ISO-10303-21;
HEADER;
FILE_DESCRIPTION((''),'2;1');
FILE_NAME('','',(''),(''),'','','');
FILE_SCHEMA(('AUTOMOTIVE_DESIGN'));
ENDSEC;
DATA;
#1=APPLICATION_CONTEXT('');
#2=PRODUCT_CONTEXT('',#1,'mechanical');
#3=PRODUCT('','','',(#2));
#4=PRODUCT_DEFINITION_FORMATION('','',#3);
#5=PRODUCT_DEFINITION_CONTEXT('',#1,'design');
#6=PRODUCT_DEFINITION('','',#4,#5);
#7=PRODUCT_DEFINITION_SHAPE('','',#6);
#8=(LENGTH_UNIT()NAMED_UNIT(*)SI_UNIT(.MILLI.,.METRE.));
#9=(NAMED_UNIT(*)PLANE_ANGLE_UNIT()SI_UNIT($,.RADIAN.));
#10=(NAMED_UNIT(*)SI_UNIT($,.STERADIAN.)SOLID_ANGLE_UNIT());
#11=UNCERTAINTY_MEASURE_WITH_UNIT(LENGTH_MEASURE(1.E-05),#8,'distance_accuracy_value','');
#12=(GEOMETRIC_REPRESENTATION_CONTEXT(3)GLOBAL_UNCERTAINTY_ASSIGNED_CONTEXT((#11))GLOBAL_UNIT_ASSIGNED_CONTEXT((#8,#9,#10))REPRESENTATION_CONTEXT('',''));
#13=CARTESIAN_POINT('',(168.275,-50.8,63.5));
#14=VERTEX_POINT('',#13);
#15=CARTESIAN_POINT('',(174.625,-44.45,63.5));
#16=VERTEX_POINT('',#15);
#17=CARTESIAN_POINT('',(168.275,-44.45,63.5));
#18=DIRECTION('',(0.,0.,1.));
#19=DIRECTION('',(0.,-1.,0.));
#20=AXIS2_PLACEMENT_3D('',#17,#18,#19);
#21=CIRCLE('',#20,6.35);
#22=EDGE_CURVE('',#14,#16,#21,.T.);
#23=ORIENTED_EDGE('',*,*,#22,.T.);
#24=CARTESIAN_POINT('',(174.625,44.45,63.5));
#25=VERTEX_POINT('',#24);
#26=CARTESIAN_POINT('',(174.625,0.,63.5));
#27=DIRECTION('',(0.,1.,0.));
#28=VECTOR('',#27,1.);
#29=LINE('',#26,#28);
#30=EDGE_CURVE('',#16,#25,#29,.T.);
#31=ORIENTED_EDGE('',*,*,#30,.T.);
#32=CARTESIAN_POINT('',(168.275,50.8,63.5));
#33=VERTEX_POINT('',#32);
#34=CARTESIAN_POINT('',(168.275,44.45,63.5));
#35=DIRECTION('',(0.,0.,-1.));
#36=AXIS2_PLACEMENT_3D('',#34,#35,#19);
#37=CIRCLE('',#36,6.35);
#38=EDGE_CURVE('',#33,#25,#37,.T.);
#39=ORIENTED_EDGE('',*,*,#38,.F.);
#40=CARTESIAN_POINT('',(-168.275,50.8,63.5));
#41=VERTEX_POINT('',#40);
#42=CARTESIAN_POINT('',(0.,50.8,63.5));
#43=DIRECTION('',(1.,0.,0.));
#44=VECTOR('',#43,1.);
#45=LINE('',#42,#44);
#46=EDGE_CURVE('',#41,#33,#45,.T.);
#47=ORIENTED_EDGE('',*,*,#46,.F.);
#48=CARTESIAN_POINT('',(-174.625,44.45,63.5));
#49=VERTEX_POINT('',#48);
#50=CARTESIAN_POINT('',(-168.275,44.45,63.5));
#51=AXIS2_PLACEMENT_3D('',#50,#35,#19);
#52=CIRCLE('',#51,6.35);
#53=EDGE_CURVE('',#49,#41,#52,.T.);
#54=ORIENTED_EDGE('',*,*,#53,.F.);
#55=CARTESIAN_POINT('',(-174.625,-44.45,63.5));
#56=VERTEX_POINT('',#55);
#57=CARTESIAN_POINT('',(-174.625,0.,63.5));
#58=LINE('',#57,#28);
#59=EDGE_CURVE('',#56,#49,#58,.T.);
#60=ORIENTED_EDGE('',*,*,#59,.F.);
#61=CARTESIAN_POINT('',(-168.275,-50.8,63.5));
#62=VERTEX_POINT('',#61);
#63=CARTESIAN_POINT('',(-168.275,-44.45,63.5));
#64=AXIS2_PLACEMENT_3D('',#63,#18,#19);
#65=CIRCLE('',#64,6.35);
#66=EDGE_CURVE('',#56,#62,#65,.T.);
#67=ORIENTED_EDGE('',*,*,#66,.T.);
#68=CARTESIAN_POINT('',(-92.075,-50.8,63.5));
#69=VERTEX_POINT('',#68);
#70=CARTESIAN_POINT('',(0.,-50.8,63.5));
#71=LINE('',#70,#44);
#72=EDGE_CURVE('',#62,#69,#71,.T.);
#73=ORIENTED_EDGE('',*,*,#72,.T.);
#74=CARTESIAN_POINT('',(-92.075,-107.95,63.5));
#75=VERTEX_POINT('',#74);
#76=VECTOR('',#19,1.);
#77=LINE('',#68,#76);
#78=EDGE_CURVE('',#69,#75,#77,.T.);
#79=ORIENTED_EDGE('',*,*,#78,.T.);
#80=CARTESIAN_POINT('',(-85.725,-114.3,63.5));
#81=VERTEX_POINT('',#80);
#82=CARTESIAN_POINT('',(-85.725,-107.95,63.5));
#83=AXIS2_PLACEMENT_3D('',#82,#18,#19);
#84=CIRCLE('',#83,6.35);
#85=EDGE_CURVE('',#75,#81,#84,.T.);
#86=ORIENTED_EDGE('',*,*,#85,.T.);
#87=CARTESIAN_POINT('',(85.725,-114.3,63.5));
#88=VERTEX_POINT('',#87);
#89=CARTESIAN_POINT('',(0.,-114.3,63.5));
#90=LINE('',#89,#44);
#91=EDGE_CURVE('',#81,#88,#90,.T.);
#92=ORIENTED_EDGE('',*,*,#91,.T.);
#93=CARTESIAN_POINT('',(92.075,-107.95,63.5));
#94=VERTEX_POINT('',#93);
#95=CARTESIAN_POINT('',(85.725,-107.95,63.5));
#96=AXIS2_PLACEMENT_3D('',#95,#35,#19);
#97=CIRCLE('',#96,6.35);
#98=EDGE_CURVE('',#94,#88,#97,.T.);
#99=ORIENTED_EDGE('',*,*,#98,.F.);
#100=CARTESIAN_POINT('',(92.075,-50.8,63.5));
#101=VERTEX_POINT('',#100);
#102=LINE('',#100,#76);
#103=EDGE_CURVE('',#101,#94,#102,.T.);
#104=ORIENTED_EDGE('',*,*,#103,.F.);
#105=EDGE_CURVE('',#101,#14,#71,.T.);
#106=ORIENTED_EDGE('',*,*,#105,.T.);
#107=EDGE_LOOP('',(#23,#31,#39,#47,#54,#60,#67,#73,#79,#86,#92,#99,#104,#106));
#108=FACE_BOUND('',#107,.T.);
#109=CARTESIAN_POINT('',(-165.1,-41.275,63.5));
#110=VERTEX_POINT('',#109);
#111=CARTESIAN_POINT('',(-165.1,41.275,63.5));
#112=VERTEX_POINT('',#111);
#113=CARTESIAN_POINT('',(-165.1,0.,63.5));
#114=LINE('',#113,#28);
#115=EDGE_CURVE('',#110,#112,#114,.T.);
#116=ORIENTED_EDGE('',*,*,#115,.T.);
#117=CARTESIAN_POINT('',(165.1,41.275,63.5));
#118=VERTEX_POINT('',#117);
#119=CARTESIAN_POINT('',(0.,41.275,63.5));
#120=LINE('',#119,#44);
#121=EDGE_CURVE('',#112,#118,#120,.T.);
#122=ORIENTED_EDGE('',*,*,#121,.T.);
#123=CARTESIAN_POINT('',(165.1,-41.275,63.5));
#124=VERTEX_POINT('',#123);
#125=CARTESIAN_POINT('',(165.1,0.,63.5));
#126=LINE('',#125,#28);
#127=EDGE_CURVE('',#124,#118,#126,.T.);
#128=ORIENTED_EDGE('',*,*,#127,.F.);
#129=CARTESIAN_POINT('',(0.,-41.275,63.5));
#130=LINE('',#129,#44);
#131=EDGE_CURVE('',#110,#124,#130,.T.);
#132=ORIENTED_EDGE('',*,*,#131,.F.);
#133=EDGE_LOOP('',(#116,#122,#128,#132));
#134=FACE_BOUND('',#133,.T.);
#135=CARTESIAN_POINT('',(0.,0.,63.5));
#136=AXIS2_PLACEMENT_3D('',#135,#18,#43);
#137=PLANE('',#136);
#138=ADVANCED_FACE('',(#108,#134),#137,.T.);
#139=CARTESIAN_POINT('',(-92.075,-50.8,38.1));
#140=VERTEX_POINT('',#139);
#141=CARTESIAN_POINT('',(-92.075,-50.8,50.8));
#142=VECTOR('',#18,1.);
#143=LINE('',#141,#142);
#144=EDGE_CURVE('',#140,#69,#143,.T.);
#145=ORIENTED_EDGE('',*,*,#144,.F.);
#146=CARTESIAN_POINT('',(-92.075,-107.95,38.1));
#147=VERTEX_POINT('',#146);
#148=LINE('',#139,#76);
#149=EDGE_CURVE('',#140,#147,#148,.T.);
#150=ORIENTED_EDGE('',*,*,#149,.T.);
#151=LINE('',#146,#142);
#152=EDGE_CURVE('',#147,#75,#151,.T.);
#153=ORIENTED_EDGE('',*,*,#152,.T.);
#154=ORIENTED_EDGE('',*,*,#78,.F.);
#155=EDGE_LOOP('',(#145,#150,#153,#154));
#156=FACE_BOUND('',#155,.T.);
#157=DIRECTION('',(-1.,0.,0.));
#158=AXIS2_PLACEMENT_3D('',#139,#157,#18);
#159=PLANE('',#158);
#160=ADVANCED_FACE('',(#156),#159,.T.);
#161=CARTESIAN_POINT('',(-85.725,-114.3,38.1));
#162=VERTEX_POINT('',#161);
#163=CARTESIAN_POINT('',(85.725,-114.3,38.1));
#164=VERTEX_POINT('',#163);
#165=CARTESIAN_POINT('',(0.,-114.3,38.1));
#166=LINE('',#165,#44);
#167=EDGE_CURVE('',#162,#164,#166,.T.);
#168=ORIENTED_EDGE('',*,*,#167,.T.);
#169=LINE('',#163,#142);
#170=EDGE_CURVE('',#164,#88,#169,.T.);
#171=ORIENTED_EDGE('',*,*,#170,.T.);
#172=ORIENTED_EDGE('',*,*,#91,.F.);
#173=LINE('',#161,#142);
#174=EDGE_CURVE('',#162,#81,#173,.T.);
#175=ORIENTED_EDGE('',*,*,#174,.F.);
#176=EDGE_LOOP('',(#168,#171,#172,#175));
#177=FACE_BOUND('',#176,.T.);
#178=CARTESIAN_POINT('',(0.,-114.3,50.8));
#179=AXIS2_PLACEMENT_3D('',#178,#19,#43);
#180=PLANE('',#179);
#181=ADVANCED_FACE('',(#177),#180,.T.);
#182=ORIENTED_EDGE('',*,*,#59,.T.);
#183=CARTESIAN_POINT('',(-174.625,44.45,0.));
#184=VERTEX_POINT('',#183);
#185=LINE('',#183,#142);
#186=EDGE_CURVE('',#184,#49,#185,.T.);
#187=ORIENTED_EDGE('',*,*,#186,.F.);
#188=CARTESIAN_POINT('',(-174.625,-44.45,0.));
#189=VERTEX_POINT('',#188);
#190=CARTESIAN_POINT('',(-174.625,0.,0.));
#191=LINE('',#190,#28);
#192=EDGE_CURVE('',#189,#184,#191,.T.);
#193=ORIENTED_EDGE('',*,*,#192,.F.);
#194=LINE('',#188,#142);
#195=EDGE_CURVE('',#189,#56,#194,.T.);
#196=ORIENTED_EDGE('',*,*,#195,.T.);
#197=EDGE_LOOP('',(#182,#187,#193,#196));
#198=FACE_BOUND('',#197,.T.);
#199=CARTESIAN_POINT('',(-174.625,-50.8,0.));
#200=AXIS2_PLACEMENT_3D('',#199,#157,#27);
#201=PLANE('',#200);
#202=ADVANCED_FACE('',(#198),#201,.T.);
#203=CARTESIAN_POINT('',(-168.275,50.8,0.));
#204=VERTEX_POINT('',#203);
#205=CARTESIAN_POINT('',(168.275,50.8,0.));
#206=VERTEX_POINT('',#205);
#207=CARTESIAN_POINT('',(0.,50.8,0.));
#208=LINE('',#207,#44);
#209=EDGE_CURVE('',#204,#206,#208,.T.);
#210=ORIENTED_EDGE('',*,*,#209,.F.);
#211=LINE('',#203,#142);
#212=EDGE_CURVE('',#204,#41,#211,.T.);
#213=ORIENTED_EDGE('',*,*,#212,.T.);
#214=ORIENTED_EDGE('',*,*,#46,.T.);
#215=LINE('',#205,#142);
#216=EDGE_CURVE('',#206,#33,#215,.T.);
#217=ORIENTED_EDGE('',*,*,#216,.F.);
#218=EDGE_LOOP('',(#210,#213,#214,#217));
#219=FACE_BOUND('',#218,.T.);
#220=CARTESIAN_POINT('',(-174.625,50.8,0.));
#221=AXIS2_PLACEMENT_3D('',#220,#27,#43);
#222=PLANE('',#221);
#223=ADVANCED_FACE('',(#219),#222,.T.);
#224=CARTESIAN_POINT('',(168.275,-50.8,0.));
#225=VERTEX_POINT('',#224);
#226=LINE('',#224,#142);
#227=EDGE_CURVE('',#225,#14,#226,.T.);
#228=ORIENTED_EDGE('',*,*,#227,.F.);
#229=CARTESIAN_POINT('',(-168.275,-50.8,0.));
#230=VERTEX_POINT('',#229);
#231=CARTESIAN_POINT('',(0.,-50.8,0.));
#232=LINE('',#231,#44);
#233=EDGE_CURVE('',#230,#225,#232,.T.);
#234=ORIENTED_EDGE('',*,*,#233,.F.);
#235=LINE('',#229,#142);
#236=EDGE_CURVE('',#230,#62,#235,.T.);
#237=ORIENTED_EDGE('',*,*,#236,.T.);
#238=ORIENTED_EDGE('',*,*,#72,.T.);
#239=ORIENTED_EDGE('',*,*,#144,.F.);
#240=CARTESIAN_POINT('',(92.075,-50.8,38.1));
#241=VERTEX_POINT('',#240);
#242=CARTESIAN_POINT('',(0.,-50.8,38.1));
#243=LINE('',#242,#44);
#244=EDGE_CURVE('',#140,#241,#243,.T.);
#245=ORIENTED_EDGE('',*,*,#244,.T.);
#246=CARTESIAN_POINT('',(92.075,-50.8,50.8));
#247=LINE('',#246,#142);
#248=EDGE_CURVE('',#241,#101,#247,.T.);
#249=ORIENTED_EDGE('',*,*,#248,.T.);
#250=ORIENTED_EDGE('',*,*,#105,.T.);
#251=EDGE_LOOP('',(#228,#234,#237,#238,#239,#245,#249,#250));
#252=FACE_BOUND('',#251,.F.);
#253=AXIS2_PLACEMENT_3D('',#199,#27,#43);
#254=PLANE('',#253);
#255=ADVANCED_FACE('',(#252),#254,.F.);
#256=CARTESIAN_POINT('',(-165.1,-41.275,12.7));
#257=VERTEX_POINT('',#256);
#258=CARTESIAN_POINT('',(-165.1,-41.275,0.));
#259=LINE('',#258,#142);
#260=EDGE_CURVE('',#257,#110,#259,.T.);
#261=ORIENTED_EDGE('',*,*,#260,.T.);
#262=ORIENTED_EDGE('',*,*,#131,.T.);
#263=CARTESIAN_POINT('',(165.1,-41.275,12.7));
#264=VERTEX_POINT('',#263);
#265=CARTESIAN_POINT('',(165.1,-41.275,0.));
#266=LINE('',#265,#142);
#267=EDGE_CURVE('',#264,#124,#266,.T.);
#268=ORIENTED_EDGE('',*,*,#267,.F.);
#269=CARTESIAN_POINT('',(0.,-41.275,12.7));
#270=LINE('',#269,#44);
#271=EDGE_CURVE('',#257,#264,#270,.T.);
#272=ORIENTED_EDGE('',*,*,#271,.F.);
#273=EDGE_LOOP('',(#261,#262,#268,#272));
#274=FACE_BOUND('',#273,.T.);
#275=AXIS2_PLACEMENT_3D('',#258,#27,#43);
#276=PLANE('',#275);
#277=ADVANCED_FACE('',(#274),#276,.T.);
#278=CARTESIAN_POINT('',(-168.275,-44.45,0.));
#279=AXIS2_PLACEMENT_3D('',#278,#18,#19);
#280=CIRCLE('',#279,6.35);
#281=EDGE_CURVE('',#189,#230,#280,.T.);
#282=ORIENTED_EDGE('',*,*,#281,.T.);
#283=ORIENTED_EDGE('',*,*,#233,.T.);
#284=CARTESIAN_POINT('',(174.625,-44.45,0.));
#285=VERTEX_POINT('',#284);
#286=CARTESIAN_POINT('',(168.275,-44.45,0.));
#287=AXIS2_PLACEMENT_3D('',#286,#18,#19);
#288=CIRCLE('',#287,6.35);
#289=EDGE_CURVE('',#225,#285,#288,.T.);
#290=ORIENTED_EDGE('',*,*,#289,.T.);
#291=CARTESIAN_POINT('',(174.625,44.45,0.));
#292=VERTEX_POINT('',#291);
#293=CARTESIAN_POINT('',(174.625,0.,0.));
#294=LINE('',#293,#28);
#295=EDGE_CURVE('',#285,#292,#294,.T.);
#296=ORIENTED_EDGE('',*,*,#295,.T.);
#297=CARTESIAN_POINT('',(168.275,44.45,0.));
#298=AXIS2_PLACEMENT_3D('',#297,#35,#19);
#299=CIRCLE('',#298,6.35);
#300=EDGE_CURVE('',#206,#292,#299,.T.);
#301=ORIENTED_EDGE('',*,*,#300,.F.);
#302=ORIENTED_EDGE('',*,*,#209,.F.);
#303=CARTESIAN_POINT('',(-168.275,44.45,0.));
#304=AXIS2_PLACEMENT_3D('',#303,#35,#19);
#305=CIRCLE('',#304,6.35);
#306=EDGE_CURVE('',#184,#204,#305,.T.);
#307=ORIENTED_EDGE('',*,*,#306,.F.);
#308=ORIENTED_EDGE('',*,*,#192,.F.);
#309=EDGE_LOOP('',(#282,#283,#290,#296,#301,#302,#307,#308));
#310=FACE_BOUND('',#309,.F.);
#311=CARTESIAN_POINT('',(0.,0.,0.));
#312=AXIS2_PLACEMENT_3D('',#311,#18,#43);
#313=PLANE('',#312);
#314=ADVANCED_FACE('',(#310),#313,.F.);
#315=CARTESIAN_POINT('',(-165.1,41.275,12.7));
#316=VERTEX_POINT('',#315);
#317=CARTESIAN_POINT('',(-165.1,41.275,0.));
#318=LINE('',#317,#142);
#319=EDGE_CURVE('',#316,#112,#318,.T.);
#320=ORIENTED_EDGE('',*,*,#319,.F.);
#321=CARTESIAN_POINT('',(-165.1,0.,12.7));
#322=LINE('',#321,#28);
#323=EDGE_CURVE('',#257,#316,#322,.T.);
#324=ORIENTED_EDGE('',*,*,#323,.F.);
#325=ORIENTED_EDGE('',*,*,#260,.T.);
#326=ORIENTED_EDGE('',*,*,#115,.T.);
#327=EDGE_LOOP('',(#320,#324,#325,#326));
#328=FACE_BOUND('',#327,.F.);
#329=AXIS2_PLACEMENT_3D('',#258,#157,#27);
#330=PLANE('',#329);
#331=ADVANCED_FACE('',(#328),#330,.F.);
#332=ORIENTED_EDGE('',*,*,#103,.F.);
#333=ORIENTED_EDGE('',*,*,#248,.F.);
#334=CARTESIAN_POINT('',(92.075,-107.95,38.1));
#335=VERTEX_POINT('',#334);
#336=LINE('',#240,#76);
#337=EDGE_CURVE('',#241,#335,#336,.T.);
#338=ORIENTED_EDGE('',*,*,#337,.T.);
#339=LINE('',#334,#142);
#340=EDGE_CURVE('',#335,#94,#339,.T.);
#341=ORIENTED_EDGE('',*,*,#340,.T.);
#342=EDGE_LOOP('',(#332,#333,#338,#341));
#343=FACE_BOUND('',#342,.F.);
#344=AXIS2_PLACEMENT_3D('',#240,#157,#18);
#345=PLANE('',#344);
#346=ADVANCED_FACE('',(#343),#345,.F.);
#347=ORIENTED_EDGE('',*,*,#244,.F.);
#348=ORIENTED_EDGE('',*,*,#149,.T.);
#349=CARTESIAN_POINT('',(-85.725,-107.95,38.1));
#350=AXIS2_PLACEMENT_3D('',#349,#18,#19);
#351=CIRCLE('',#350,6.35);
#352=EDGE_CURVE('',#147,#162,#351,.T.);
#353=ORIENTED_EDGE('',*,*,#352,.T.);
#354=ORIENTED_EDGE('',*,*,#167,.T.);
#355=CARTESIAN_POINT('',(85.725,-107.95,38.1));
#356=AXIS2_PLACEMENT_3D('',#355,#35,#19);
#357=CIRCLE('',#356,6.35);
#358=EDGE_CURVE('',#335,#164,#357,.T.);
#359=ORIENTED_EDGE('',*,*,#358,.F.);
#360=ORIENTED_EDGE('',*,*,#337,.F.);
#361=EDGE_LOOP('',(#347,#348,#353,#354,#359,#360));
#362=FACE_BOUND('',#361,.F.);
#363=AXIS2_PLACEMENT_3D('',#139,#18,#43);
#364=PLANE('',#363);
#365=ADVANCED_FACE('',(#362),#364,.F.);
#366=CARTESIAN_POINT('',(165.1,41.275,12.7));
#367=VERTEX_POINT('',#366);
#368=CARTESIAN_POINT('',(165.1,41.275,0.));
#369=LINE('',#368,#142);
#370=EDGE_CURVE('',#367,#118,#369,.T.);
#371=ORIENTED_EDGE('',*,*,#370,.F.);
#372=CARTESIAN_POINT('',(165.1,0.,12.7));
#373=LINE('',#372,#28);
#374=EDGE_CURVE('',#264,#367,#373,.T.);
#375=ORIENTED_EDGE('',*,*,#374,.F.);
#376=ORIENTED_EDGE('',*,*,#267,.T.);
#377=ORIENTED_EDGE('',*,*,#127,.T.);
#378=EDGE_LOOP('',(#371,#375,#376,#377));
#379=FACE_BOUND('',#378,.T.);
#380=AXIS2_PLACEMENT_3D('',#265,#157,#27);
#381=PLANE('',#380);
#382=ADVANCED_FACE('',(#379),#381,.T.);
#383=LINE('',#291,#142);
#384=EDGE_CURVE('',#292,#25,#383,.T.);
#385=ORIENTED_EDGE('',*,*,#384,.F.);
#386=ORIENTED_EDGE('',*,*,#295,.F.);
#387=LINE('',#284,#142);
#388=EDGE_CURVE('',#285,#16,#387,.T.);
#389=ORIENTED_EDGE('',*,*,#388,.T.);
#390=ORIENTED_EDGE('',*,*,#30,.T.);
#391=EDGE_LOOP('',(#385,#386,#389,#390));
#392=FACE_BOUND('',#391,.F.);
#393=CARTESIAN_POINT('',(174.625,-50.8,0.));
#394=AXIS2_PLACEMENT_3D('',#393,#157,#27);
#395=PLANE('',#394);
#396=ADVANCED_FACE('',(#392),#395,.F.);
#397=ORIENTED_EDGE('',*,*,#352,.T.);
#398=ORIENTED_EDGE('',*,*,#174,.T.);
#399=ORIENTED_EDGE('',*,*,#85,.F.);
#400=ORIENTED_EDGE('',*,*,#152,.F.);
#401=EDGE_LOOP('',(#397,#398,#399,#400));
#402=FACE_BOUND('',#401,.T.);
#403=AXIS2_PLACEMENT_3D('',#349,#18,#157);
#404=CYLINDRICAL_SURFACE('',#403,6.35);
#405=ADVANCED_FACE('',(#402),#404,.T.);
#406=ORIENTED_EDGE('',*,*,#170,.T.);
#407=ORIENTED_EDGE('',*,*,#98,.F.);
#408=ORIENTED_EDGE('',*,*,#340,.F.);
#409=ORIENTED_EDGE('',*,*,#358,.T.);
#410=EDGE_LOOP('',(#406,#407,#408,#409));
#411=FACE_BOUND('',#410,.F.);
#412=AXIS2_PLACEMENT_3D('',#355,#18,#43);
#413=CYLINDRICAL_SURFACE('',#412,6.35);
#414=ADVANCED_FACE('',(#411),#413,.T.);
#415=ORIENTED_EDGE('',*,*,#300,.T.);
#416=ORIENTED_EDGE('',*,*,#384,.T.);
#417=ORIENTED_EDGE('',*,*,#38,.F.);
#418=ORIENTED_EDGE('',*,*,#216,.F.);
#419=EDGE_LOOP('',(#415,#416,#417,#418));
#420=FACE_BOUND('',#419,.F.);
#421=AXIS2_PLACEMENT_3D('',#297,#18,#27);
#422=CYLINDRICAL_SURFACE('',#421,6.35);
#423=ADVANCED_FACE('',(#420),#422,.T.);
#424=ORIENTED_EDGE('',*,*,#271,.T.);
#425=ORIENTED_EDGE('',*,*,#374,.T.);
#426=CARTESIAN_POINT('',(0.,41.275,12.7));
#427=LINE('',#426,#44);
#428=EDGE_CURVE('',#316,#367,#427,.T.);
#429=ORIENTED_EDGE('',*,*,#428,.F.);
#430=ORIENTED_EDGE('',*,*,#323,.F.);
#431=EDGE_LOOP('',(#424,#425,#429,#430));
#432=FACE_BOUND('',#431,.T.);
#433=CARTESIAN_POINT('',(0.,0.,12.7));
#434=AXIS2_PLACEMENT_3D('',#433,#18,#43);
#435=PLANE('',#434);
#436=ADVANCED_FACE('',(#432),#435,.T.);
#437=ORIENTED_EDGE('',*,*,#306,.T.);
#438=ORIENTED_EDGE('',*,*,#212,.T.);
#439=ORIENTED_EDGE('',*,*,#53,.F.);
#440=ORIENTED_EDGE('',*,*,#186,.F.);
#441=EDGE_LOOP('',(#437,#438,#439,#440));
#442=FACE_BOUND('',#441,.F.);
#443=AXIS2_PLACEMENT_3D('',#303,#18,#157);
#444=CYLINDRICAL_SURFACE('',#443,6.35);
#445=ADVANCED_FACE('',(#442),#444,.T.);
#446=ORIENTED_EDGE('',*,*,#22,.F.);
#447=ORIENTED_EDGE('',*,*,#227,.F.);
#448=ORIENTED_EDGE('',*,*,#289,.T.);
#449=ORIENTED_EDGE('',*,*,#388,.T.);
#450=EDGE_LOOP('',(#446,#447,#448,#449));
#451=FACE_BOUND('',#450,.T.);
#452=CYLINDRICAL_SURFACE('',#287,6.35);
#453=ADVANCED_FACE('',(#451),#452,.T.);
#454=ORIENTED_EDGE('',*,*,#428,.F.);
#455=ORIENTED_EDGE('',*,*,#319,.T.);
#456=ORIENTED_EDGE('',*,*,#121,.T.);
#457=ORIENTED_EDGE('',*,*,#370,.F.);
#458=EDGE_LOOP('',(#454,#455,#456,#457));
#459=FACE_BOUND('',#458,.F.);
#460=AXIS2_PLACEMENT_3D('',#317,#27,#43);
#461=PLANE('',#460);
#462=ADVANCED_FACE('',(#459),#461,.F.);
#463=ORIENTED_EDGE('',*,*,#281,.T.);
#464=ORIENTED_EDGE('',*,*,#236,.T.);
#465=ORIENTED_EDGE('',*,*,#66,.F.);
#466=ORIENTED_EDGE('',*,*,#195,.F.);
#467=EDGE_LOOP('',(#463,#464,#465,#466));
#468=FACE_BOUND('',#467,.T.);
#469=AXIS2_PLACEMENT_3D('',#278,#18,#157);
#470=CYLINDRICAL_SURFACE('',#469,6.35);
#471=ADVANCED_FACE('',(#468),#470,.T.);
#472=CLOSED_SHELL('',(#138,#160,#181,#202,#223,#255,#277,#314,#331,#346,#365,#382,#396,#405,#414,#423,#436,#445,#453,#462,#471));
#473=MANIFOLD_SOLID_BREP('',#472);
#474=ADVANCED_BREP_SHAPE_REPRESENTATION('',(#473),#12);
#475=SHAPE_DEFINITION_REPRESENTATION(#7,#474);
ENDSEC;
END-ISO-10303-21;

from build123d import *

# Parameters (mm, degrees)
F0_W     = 349.25
F0_H     = 101.6
F0_W_2   = 330.2
F0_H_2   = 82.55
F1_DEPTH = 63.5
F2_R     = 6.35
F3_W     = 330.2
F3_H     = 82.55
F4_DEPTH = 12.7
F5_W     = 184.15
F5_H     = 25.4
F6_DEPTH = 63.5
F7_R     = 6.35


with BuildPart() as f1:
    # F0 (on Top) → F1 (new body)
    with BuildSketch(Plane.XY):
        Rectangle(F0_W, F0_H)
        Rectangle(F0_W_2, F0_H_2, mode=Mode.SUBTRACT)
    extrude(amount=F1_DEPTH)

    # F2
    f2_edges = [f1.edges().sort_by_distance(p)[0] for p in [
        (-174.625, -50.8, 31.75),
        (174.625, -50.8, 31.75),
        (174.625, 50.8, 31.75),
        (-174.625, 50.8, 31.75),
    ]]
    fillet(f2_edges, radius=F2_R)

    # F3 (on Top) → F4 (join)
    with BuildSketch(Plane.XY):
        Rectangle(F3_W, F3_H)
    extrude(amount=F4_DEPTH)

    # F5 (on face) → F6 (join)
    with BuildSketch(Plane.XZ.offset(50.8)):
        with Locations((0, 50.8)):
            Rectangle(F5_W, F5_H)
    extrude(amount=F6_DEPTH)

    # F7
    f7_edges = [f1.edges().sort_by_distance(p)[0] for p in [
        (-92.075, -114.3, 50.8),
        (92.075, -114.3, 50.8),
    ]]
    fillet(f7_edges, radius=F7_R)


solid = f1.part
